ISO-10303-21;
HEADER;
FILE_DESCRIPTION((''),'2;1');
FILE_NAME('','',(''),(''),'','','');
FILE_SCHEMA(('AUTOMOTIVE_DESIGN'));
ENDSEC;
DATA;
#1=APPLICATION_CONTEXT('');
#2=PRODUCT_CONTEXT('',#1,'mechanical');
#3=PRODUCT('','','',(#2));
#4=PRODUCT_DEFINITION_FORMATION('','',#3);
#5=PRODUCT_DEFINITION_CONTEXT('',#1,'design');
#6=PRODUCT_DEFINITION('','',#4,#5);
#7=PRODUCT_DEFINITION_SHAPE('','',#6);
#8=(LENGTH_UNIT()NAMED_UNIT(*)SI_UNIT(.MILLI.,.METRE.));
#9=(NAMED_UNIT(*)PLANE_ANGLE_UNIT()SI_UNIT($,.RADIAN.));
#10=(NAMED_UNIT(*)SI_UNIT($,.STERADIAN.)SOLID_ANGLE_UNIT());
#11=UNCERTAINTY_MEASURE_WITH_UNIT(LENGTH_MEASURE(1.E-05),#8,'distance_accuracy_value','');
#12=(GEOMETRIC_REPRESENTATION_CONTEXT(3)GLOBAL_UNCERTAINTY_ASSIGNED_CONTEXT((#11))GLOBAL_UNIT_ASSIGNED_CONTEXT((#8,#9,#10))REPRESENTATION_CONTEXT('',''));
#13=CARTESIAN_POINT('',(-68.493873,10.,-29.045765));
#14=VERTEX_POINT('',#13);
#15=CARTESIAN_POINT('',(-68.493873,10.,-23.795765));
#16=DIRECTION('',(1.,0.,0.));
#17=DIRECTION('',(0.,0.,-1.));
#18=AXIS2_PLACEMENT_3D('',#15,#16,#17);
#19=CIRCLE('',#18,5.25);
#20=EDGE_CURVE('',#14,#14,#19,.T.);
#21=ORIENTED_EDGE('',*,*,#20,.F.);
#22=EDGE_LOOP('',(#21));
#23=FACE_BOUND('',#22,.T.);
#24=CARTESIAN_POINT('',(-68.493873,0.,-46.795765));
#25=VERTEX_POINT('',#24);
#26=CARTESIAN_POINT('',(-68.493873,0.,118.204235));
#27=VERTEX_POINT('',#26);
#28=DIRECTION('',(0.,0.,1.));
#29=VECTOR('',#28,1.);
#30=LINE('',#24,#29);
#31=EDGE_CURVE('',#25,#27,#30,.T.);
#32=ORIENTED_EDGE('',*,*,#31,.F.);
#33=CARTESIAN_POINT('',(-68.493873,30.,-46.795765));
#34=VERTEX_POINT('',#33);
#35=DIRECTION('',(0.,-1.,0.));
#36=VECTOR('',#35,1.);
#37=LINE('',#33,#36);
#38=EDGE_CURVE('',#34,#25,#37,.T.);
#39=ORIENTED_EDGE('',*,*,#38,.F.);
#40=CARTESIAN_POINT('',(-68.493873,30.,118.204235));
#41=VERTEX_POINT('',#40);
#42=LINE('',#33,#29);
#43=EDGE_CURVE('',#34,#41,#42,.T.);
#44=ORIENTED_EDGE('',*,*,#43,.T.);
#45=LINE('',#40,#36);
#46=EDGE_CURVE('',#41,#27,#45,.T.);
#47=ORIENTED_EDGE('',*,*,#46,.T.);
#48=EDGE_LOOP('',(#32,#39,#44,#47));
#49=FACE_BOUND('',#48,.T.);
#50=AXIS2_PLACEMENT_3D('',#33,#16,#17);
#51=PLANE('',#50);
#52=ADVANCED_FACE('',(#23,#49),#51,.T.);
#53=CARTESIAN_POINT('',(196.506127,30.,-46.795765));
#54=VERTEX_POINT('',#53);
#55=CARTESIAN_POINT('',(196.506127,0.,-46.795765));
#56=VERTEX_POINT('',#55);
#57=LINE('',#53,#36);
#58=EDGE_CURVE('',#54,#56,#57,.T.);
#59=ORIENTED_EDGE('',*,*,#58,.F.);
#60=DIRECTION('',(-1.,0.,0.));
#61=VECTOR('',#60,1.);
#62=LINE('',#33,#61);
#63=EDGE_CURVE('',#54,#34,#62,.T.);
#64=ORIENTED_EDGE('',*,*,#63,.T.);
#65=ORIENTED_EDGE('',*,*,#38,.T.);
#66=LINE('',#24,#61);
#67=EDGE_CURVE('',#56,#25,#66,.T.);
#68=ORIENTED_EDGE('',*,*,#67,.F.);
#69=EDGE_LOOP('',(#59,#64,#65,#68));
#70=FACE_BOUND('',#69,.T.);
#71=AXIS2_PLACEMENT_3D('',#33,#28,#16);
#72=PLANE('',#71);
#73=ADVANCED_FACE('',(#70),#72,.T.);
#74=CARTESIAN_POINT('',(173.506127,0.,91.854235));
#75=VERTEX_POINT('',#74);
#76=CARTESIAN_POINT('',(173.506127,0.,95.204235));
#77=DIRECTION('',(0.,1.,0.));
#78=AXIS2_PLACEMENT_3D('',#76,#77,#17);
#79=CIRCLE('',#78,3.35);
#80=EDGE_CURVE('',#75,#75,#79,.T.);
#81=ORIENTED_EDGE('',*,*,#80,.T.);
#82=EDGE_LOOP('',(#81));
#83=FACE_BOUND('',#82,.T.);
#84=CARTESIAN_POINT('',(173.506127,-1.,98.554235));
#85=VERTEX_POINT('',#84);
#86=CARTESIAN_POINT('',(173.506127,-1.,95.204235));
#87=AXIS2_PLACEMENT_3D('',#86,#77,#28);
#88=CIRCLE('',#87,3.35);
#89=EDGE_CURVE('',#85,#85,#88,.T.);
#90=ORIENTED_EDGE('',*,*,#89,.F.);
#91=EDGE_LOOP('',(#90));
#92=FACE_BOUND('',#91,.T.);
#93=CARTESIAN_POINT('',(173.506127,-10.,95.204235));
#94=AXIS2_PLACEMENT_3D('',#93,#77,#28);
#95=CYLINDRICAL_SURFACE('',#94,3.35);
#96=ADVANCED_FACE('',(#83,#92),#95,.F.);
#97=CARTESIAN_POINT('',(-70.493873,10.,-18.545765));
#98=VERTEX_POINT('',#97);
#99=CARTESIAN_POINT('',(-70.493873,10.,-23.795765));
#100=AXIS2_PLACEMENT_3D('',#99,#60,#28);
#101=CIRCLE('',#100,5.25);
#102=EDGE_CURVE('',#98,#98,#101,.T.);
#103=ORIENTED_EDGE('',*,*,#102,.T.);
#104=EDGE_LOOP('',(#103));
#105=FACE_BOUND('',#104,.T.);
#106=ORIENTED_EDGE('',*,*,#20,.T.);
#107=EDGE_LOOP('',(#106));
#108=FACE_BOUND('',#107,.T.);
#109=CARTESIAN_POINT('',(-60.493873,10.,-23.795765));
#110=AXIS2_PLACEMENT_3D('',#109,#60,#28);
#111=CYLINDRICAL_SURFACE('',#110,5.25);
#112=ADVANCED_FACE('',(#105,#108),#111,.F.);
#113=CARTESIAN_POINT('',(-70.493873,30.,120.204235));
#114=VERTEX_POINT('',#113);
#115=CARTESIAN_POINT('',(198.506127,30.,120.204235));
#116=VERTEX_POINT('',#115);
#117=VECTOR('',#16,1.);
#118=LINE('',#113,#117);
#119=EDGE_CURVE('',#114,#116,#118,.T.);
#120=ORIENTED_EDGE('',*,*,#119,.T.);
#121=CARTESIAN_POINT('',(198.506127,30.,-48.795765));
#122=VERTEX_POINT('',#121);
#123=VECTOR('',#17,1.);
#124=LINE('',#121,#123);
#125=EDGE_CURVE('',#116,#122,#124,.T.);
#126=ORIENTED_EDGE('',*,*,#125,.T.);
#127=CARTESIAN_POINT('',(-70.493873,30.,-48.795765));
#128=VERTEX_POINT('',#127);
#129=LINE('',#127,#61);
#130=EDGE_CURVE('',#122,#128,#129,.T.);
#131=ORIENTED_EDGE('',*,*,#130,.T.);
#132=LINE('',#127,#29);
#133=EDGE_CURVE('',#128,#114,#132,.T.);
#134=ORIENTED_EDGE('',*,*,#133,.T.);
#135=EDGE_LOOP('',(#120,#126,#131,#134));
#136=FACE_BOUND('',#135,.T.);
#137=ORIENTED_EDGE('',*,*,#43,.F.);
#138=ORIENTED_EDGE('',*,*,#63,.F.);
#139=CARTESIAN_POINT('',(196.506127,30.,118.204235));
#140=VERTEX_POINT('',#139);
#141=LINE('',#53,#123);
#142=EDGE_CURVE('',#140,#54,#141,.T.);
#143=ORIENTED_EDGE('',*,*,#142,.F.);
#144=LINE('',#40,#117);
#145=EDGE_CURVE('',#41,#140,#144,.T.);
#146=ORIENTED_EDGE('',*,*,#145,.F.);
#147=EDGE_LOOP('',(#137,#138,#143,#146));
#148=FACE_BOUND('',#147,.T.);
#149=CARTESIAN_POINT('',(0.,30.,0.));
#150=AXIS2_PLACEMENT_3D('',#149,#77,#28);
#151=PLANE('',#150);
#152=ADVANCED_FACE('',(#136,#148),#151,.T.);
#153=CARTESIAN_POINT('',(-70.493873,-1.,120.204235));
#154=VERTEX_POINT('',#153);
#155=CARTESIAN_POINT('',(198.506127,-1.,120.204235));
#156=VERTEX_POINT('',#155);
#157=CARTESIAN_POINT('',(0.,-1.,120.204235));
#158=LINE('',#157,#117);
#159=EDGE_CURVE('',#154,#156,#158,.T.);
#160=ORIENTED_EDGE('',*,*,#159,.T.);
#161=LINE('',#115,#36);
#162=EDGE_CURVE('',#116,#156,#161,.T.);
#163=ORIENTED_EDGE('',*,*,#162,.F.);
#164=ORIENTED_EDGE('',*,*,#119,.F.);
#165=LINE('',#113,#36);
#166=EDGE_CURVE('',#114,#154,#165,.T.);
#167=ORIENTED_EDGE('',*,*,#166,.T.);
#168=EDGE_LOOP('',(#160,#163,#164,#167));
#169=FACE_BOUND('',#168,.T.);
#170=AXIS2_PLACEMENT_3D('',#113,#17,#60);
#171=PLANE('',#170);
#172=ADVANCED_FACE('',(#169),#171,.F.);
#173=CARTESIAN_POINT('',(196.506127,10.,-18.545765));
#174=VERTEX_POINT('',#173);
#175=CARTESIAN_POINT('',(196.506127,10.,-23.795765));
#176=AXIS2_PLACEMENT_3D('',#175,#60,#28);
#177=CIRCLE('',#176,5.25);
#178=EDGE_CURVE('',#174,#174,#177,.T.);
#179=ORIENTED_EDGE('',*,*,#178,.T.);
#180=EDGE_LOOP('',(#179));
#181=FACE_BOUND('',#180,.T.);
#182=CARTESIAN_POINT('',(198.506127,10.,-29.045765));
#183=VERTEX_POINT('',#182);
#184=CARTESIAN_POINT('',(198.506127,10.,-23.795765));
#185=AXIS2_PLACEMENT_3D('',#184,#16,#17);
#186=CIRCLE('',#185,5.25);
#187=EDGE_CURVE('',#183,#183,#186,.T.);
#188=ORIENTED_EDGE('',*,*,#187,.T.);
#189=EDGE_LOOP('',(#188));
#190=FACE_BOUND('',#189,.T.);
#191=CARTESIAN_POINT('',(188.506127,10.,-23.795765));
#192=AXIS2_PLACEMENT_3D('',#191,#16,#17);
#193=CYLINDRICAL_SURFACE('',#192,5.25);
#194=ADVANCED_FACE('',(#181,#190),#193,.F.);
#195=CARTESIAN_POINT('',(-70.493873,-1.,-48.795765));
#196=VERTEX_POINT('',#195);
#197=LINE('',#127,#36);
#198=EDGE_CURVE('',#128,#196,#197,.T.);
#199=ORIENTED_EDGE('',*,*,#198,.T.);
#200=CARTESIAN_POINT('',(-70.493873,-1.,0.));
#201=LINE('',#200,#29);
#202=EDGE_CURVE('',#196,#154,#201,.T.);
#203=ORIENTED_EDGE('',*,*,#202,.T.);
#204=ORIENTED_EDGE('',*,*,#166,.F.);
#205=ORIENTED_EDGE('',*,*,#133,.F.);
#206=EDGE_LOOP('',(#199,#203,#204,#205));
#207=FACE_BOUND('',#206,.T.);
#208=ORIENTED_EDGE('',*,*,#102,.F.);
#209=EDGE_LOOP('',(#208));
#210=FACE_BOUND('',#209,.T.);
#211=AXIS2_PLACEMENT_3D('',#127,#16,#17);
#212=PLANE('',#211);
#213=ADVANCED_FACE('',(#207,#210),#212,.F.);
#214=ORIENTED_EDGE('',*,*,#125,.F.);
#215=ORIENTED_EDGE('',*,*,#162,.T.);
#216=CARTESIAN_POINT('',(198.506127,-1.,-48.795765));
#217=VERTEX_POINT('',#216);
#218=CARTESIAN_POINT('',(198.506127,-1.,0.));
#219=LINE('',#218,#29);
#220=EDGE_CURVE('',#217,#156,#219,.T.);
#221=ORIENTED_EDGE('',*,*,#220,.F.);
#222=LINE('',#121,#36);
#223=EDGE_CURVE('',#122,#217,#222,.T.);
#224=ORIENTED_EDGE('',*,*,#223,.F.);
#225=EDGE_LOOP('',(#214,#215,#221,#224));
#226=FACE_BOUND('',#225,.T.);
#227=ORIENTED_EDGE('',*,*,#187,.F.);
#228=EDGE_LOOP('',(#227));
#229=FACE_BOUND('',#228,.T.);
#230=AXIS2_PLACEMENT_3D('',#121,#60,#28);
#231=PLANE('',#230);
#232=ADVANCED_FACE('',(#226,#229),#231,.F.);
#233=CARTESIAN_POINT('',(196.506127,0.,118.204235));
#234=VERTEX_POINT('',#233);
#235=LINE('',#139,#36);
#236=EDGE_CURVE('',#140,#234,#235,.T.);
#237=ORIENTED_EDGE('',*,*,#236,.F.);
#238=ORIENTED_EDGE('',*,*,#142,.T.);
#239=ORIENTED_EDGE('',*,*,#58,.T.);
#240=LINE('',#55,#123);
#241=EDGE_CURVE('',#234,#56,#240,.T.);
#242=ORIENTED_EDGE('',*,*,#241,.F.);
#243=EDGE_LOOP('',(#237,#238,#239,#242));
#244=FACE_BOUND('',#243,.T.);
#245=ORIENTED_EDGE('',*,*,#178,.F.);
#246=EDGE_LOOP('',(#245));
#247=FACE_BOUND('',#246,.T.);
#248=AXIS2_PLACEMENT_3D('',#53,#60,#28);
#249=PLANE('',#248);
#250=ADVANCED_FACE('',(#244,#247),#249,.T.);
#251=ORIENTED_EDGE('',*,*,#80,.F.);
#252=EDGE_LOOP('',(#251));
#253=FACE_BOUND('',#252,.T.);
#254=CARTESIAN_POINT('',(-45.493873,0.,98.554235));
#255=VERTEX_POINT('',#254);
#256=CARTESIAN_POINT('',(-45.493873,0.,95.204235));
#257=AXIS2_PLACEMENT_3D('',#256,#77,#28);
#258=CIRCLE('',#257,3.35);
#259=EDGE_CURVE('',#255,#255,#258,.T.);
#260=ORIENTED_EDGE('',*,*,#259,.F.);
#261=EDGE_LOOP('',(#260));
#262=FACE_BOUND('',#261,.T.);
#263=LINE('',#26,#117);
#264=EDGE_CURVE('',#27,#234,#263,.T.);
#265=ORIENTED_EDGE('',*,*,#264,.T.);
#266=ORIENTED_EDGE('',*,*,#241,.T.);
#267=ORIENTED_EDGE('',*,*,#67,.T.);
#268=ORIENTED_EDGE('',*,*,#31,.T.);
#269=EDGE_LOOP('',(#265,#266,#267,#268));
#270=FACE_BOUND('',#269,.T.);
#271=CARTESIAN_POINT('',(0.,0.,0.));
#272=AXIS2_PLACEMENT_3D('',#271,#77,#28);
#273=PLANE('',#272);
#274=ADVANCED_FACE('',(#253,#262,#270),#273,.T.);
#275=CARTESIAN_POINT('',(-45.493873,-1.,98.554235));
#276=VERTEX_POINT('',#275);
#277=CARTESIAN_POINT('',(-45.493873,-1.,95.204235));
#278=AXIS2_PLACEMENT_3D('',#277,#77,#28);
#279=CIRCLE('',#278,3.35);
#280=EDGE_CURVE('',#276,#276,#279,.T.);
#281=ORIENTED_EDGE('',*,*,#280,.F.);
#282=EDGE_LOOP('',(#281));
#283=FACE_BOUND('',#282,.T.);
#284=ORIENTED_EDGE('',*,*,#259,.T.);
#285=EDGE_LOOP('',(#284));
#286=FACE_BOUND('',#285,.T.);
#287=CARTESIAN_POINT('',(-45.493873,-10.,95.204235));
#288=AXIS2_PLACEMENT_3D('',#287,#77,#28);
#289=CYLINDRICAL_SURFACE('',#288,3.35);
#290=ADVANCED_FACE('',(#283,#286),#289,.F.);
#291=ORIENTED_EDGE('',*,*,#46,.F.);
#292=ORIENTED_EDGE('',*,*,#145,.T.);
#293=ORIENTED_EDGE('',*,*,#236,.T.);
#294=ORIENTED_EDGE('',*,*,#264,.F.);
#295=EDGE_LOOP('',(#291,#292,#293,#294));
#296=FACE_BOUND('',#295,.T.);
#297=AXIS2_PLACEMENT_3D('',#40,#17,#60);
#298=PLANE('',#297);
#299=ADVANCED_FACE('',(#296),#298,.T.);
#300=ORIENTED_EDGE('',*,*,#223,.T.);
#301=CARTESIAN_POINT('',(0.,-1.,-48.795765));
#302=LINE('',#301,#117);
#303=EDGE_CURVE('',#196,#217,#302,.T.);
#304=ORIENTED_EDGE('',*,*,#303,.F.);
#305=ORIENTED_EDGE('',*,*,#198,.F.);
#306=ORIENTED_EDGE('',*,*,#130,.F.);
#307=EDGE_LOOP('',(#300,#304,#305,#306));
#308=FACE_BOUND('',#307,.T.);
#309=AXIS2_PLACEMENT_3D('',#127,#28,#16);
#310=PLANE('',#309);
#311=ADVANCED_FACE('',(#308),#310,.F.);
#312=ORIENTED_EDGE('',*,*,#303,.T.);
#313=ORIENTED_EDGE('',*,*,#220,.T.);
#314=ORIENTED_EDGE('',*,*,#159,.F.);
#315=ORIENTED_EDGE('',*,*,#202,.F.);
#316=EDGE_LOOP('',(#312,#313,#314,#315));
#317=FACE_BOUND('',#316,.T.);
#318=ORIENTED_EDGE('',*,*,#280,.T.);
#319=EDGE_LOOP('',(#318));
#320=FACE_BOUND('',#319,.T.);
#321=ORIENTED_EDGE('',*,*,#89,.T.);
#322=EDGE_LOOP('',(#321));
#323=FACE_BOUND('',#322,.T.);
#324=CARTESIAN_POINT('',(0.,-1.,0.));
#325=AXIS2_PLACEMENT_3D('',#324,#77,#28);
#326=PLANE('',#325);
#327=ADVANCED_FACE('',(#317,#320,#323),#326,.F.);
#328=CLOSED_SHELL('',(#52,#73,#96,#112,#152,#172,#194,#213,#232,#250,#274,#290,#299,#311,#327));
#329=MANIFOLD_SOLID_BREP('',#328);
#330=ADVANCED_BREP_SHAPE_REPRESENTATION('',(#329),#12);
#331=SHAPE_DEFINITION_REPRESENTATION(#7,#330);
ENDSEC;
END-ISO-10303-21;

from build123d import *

# Parameters (mm, degrees)
SKETCH2_W           = 269
SKETCH2_H           = 169
SKETCH2_W_2         = 265
SKETCH2_H_2         = 165
WALLS_DEPTH         = 30
SKETCH2_2_W         = 269
SKETCH2_2_H         = 169
BASE_DEPTH          = 1
SKETCH4_R           = 5.25
MOTOR_WHEEL_DEPTH   = 10
MOTOR_WHEEL2_START  = -10
SKETCH3_R           = 5.25
MOTOR_WHEEL2_DEPTH  = 10
SKETCH6_R           = 3.35
CASTER_WHEELS_DEPTH = 10


with BuildPart() as part:
    # Sketch2 → Walls (new body)
    with BuildSketch(Plane(origin=(0, 0, 0), x_dir=(1, 0, 0), z_dir=(0, 1, 0))):
        with Locations((64.006127086, -35.704235294)):
            Rectangle(SKETCH2_W, SKETCH2_H)
        with Locations((64.006127086, -35.704235294)):
            Rectangle(SKETCH2_W_2, SKETCH2_H_2, mode=Mode.SUBTRACT)
    extrude(amount=WALLS_DEPTH)

    # Sketch2<2> → Base (add)
    with BuildSketch(Plane(origin=(0, 0, 0), x_dir=(1, 0, 0), z_dir=(0, 1, 0))):
        with Locations((64.006127086, -35.704235294)):
            Rectangle(SKETCH2_2_W, SKETCH2_2_H)
    extrude(amount=-BASE_DEPTH)

    # Sketch4 → Motor-Wheel (cut)
    with BuildSketch(Plane(origin=(198.506127086, 0, 0), x_dir=(0, 0, -1), z_dir=(1, 0, 0))):
        with Locations((23.795764706, 10)):
            Circle(SKETCH4_R)
    extrude(amount=-MOTOR_WHEEL_DEPTH, mode=Mode.SUBTRACT)

    # Sketch3 → Motor-Wheel2 (cut)
    with BuildSketch(Plane.ZY.offset(70.493872914).offset(MOTOR_WHEEL2_START)):
        with Locations((-23.795764706, 10)):
            Circle(SKETCH3_R)
    extrude(amount=MOTOR_WHEEL2_DEPTH, mode=Mode.SUBTRACT)

    # Sketch6 → Caster Wheels (cut)
    with BuildSketch(Plane(origin=(0, 0, 0), x_dir=(1, 0, 0), z_dir=(0, 1, 0))):
        with Locations((-45.493872914, -95.204235294)):
            Circle(SKETCH6_R)
        with Locations((173.506127086, -95.204235294)):
            Circle(SKETCH6_R)
    extrude(amount=-CASTER_WHEELS_DEPTH, mode=Mode.SUBTRACT)


solid = part.part
